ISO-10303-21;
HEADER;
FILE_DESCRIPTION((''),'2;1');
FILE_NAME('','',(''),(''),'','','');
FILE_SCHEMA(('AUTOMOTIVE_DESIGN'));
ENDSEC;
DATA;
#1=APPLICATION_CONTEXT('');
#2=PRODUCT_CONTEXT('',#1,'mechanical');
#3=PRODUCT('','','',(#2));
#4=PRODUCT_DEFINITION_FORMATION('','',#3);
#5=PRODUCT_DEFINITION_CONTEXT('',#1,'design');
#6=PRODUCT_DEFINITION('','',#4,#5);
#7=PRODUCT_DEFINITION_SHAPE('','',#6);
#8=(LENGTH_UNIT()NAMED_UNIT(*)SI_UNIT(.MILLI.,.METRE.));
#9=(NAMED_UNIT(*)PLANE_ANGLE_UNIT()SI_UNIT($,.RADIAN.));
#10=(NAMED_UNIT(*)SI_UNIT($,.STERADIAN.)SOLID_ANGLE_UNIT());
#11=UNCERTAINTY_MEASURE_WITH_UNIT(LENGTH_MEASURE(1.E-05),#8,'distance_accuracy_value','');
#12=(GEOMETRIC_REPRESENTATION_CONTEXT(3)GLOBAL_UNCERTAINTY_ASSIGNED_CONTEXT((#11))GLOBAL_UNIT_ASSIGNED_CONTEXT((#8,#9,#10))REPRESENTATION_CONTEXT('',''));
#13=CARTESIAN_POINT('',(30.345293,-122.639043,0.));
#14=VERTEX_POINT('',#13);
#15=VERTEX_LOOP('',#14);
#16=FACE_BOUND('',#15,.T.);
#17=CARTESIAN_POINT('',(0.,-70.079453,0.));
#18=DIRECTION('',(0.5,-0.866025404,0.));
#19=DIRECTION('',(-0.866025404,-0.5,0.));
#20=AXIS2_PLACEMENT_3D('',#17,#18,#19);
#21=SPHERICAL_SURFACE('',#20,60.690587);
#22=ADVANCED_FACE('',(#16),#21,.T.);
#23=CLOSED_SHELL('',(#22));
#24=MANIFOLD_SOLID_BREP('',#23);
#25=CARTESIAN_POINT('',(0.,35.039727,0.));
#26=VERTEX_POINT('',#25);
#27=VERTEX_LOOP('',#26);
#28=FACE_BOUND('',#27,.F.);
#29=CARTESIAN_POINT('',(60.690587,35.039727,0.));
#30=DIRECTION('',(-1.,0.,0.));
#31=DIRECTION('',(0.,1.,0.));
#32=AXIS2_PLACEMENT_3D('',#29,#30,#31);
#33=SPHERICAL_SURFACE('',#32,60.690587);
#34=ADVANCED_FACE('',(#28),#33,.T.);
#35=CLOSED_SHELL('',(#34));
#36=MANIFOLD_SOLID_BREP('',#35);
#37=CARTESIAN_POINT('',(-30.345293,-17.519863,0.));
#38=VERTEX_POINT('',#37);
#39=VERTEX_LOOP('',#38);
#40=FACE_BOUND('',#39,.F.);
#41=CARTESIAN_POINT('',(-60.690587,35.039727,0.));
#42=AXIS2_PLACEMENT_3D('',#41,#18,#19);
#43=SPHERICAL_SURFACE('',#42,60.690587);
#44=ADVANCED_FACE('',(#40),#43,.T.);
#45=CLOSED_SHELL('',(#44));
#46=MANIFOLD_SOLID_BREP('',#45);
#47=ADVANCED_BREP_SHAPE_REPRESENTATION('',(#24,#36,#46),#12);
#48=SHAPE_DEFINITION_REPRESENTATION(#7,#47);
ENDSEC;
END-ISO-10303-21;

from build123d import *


with BuildPart() as f1:
    # F0 (on Top) → F1 (revolve)
    with BuildSketch(Plane.XY):
        with BuildLine():
            Line((0, -70.0794532895), (-30.345293416, -17.5198633224))
            ThreePointArc((-30.345293416, -17.5198633224), (-52.5595899671, -100.4247467055), (30.345293416, -122.6390432566))
            Line((30.345293416, -122.6390432566), (0, -70.0794532895))
        make_face()
    revolve(axis=Axis((8.0600047412, -84.0397910105, 0), (0.5, -0.8660254038, 0)))


with BuildPart() as f2:
    # F0 (on Top) → F2 (revolve)
    with BuildSketch(Plane.XY):
        with BuildLine():
            ThreePointArc((121.3811736641, 35.0397266448), (60.690586832, 95.7303134768), (0, 35.0397266448))
            Line((0, 35.0397266448), (60.690586832, 35.0397266448))
            Line((60.690586832, 35.0397266448), (121.3811736641, 35.0397266448))
        make_face()
    revolve(axis=Axis((75.187548995, 35.0397266448, 0), (1, 0, 0)))


with BuildPart() as f3:
    # F0 (on Top) → F3 (revolve)
    with BuildSketch(Plane.XY):
        with BuildLine():
            Line((-30.345293416, -17.5198633224), (-60.690586832, 35.0397266448))
            Line((-60.690586832, 35.0397266448), (-91.0358802481, 87.5993166119))
            ThreePointArc((-91.0358802481, 87.5993166119), (-113.2501767992, 4.6944332287), (-30.345293416, -17.5198633224))
        make_face()
    revolve(axis=Axis((-67.3661987548, 46.6022256667, 0), (-0.5, 0.8660254038, 0)))


solid = Compound([f1.part, f2.part, f3.part])
